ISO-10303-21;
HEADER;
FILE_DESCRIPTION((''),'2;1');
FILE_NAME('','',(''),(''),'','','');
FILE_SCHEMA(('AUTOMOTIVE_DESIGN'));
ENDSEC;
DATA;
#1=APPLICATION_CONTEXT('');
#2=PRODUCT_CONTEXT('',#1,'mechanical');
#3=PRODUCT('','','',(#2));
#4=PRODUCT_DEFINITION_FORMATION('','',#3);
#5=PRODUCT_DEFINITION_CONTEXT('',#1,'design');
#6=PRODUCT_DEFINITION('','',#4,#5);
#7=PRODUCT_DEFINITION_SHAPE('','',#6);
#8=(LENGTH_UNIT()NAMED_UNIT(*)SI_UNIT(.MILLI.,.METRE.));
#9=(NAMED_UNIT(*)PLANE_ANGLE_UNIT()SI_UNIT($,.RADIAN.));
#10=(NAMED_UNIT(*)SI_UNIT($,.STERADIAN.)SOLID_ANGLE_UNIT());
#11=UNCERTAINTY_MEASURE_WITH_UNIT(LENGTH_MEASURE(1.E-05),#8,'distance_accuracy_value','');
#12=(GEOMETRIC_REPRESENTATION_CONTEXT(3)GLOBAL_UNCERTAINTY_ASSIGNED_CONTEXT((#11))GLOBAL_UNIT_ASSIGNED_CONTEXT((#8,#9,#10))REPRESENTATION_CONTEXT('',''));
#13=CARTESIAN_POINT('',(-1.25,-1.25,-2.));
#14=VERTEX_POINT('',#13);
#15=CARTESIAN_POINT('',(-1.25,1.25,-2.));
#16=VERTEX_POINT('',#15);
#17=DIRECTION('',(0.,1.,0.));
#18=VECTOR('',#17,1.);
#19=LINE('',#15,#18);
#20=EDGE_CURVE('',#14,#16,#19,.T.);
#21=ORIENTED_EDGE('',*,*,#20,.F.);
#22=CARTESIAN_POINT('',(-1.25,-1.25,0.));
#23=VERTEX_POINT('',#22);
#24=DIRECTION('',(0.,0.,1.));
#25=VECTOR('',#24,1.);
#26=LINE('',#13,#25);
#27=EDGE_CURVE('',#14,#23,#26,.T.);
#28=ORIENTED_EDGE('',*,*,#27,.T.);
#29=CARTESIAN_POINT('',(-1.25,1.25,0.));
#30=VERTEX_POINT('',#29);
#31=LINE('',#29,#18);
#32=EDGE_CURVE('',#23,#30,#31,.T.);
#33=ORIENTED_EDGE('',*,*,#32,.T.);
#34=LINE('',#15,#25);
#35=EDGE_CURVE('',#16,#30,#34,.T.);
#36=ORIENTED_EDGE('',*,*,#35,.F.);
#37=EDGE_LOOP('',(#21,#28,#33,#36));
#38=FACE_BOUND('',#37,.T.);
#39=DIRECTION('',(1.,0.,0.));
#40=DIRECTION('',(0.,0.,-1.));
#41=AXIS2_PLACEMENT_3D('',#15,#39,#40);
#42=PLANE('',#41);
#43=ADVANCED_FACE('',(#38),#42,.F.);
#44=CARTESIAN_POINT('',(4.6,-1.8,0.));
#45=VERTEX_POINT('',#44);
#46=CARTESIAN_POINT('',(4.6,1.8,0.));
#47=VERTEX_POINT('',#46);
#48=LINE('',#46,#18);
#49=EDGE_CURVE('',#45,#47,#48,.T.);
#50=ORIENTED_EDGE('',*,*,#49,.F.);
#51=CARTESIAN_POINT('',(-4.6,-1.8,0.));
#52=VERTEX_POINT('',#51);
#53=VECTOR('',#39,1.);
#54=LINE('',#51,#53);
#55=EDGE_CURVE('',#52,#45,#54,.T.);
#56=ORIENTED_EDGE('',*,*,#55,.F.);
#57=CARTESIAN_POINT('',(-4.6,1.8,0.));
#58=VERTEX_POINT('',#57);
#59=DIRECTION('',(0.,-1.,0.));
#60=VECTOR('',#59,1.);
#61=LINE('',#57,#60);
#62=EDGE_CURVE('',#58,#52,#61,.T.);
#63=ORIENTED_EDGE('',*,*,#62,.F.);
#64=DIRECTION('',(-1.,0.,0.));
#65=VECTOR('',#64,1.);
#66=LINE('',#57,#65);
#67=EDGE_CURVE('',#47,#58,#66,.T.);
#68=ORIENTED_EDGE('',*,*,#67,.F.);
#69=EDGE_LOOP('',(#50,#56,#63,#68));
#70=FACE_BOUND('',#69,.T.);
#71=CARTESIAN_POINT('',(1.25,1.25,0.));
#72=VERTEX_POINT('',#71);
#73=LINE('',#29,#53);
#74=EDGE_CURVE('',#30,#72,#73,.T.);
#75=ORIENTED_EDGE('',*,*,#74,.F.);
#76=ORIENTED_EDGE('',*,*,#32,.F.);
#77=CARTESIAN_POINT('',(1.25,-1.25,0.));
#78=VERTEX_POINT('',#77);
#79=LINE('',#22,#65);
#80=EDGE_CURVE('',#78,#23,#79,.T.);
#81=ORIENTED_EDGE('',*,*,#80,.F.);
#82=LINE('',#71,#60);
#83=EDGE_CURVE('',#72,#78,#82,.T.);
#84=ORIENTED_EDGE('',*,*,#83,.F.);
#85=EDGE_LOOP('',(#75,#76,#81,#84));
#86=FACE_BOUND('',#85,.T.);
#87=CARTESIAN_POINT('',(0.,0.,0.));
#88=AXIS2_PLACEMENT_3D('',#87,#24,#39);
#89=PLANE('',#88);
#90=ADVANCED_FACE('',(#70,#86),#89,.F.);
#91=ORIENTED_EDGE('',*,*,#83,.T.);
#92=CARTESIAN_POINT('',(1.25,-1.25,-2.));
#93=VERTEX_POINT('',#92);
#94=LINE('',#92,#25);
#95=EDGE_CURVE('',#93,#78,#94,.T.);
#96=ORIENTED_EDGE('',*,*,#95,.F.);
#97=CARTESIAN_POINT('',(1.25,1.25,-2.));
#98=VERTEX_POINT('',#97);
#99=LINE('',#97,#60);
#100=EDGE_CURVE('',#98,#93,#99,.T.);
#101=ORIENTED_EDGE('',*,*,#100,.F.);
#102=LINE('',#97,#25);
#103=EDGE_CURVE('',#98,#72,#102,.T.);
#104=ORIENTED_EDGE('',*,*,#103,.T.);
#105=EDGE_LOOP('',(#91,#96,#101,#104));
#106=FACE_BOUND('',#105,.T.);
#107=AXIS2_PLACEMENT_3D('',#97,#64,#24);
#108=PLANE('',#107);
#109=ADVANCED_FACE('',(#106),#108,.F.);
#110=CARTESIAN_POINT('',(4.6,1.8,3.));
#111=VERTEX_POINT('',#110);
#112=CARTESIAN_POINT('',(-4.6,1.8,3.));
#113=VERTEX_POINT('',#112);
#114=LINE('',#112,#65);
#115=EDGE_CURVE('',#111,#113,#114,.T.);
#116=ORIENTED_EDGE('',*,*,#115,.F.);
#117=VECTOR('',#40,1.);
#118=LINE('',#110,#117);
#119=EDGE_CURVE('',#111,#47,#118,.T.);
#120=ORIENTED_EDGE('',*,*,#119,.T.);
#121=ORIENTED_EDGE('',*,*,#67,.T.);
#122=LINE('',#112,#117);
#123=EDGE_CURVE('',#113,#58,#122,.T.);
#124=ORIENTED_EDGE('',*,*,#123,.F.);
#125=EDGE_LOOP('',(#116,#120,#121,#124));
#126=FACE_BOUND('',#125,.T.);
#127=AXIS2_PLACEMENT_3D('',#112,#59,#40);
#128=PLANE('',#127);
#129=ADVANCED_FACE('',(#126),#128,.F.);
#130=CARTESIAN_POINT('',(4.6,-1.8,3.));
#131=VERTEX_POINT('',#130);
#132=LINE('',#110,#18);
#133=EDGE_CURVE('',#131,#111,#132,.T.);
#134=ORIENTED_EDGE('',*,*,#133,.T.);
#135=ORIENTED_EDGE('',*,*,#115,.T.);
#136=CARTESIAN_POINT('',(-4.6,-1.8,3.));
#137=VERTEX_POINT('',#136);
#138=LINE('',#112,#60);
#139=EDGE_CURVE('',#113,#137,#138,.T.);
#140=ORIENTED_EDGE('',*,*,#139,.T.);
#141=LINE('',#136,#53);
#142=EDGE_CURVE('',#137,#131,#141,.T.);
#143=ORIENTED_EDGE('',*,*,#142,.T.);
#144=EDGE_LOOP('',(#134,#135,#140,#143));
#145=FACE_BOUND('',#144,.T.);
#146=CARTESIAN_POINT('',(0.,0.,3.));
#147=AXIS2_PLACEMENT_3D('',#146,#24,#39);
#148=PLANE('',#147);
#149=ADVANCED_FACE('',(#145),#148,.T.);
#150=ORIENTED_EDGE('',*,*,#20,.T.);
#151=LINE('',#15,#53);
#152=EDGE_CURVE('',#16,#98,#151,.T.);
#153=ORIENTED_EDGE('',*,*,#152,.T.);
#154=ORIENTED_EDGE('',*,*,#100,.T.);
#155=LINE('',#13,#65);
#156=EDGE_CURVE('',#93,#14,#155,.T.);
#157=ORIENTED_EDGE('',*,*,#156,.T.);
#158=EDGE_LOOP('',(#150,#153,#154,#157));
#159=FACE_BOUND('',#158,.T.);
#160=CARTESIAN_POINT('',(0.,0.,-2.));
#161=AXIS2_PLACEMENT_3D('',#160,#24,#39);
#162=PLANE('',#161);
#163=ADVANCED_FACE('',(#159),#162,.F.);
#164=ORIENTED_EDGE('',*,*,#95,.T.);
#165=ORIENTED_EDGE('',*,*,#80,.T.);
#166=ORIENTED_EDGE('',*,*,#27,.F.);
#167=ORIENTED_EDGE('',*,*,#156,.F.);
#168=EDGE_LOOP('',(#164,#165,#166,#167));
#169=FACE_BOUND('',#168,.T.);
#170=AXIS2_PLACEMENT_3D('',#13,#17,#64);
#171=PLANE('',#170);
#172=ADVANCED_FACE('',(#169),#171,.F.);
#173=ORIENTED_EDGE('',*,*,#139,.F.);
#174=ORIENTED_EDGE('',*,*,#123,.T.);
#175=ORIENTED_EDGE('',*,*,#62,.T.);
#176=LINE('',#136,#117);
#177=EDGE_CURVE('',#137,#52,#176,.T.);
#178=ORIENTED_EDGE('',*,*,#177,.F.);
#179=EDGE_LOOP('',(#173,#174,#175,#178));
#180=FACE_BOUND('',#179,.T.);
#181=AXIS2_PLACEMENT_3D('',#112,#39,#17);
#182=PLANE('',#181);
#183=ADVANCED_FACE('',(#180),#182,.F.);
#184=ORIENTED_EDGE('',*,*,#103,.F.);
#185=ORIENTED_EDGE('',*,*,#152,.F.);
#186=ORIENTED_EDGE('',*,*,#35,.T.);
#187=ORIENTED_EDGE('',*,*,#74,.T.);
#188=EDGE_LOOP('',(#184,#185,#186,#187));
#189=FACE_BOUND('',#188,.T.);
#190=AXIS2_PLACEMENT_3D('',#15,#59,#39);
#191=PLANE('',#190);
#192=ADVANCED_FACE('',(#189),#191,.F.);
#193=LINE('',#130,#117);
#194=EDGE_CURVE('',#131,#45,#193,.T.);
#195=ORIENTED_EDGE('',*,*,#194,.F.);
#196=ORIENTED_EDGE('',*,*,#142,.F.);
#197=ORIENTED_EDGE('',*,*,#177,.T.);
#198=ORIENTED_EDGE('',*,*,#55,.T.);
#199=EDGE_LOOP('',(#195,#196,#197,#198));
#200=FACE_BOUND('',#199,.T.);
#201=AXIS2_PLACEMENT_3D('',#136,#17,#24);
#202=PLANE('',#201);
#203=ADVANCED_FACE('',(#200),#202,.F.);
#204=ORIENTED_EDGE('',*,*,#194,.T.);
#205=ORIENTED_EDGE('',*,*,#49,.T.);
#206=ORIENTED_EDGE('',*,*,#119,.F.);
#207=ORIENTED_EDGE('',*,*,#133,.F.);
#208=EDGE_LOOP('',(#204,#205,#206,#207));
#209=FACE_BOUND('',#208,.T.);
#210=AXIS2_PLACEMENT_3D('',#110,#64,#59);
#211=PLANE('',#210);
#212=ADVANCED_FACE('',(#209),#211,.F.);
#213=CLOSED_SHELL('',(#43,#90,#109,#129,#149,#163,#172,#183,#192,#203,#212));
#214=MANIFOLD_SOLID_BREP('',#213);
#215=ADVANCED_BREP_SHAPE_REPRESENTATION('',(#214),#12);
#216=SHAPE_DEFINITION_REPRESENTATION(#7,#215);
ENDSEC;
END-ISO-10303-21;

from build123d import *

# Parameters (mm, degrees)
SKETCH1_W           = 9.2
SKETCH1_H           = 3.6
BOSS_EXTRUDE1_DEPTH = 3
SKETCH2_W           = 2.5
SKETCH2_H           = 2.5
BOSS_EXTRUDE2_DEPTH = 2


with BuildPart() as part:
    # Sketch1 → Boss-Extrude1 (new body)
    with BuildSketch(Plane.XY):
        Rectangle(SKETCH1_W, SKETCH1_H)
    extrude(amount=BOSS_EXTRUDE1_DEPTH)

    # Sketch2 → Boss-Extrude2 (add)
    with BuildSketch(Plane(origin=(0, 0, 0), x_dir=(-1, 0, 0), z_dir=(0, 0, -1))):
        Rectangle(SKETCH2_W, SKETCH2_H)
    extrude(amount=BOSS_EXTRUDE2_DEPTH)


solid = part.part
